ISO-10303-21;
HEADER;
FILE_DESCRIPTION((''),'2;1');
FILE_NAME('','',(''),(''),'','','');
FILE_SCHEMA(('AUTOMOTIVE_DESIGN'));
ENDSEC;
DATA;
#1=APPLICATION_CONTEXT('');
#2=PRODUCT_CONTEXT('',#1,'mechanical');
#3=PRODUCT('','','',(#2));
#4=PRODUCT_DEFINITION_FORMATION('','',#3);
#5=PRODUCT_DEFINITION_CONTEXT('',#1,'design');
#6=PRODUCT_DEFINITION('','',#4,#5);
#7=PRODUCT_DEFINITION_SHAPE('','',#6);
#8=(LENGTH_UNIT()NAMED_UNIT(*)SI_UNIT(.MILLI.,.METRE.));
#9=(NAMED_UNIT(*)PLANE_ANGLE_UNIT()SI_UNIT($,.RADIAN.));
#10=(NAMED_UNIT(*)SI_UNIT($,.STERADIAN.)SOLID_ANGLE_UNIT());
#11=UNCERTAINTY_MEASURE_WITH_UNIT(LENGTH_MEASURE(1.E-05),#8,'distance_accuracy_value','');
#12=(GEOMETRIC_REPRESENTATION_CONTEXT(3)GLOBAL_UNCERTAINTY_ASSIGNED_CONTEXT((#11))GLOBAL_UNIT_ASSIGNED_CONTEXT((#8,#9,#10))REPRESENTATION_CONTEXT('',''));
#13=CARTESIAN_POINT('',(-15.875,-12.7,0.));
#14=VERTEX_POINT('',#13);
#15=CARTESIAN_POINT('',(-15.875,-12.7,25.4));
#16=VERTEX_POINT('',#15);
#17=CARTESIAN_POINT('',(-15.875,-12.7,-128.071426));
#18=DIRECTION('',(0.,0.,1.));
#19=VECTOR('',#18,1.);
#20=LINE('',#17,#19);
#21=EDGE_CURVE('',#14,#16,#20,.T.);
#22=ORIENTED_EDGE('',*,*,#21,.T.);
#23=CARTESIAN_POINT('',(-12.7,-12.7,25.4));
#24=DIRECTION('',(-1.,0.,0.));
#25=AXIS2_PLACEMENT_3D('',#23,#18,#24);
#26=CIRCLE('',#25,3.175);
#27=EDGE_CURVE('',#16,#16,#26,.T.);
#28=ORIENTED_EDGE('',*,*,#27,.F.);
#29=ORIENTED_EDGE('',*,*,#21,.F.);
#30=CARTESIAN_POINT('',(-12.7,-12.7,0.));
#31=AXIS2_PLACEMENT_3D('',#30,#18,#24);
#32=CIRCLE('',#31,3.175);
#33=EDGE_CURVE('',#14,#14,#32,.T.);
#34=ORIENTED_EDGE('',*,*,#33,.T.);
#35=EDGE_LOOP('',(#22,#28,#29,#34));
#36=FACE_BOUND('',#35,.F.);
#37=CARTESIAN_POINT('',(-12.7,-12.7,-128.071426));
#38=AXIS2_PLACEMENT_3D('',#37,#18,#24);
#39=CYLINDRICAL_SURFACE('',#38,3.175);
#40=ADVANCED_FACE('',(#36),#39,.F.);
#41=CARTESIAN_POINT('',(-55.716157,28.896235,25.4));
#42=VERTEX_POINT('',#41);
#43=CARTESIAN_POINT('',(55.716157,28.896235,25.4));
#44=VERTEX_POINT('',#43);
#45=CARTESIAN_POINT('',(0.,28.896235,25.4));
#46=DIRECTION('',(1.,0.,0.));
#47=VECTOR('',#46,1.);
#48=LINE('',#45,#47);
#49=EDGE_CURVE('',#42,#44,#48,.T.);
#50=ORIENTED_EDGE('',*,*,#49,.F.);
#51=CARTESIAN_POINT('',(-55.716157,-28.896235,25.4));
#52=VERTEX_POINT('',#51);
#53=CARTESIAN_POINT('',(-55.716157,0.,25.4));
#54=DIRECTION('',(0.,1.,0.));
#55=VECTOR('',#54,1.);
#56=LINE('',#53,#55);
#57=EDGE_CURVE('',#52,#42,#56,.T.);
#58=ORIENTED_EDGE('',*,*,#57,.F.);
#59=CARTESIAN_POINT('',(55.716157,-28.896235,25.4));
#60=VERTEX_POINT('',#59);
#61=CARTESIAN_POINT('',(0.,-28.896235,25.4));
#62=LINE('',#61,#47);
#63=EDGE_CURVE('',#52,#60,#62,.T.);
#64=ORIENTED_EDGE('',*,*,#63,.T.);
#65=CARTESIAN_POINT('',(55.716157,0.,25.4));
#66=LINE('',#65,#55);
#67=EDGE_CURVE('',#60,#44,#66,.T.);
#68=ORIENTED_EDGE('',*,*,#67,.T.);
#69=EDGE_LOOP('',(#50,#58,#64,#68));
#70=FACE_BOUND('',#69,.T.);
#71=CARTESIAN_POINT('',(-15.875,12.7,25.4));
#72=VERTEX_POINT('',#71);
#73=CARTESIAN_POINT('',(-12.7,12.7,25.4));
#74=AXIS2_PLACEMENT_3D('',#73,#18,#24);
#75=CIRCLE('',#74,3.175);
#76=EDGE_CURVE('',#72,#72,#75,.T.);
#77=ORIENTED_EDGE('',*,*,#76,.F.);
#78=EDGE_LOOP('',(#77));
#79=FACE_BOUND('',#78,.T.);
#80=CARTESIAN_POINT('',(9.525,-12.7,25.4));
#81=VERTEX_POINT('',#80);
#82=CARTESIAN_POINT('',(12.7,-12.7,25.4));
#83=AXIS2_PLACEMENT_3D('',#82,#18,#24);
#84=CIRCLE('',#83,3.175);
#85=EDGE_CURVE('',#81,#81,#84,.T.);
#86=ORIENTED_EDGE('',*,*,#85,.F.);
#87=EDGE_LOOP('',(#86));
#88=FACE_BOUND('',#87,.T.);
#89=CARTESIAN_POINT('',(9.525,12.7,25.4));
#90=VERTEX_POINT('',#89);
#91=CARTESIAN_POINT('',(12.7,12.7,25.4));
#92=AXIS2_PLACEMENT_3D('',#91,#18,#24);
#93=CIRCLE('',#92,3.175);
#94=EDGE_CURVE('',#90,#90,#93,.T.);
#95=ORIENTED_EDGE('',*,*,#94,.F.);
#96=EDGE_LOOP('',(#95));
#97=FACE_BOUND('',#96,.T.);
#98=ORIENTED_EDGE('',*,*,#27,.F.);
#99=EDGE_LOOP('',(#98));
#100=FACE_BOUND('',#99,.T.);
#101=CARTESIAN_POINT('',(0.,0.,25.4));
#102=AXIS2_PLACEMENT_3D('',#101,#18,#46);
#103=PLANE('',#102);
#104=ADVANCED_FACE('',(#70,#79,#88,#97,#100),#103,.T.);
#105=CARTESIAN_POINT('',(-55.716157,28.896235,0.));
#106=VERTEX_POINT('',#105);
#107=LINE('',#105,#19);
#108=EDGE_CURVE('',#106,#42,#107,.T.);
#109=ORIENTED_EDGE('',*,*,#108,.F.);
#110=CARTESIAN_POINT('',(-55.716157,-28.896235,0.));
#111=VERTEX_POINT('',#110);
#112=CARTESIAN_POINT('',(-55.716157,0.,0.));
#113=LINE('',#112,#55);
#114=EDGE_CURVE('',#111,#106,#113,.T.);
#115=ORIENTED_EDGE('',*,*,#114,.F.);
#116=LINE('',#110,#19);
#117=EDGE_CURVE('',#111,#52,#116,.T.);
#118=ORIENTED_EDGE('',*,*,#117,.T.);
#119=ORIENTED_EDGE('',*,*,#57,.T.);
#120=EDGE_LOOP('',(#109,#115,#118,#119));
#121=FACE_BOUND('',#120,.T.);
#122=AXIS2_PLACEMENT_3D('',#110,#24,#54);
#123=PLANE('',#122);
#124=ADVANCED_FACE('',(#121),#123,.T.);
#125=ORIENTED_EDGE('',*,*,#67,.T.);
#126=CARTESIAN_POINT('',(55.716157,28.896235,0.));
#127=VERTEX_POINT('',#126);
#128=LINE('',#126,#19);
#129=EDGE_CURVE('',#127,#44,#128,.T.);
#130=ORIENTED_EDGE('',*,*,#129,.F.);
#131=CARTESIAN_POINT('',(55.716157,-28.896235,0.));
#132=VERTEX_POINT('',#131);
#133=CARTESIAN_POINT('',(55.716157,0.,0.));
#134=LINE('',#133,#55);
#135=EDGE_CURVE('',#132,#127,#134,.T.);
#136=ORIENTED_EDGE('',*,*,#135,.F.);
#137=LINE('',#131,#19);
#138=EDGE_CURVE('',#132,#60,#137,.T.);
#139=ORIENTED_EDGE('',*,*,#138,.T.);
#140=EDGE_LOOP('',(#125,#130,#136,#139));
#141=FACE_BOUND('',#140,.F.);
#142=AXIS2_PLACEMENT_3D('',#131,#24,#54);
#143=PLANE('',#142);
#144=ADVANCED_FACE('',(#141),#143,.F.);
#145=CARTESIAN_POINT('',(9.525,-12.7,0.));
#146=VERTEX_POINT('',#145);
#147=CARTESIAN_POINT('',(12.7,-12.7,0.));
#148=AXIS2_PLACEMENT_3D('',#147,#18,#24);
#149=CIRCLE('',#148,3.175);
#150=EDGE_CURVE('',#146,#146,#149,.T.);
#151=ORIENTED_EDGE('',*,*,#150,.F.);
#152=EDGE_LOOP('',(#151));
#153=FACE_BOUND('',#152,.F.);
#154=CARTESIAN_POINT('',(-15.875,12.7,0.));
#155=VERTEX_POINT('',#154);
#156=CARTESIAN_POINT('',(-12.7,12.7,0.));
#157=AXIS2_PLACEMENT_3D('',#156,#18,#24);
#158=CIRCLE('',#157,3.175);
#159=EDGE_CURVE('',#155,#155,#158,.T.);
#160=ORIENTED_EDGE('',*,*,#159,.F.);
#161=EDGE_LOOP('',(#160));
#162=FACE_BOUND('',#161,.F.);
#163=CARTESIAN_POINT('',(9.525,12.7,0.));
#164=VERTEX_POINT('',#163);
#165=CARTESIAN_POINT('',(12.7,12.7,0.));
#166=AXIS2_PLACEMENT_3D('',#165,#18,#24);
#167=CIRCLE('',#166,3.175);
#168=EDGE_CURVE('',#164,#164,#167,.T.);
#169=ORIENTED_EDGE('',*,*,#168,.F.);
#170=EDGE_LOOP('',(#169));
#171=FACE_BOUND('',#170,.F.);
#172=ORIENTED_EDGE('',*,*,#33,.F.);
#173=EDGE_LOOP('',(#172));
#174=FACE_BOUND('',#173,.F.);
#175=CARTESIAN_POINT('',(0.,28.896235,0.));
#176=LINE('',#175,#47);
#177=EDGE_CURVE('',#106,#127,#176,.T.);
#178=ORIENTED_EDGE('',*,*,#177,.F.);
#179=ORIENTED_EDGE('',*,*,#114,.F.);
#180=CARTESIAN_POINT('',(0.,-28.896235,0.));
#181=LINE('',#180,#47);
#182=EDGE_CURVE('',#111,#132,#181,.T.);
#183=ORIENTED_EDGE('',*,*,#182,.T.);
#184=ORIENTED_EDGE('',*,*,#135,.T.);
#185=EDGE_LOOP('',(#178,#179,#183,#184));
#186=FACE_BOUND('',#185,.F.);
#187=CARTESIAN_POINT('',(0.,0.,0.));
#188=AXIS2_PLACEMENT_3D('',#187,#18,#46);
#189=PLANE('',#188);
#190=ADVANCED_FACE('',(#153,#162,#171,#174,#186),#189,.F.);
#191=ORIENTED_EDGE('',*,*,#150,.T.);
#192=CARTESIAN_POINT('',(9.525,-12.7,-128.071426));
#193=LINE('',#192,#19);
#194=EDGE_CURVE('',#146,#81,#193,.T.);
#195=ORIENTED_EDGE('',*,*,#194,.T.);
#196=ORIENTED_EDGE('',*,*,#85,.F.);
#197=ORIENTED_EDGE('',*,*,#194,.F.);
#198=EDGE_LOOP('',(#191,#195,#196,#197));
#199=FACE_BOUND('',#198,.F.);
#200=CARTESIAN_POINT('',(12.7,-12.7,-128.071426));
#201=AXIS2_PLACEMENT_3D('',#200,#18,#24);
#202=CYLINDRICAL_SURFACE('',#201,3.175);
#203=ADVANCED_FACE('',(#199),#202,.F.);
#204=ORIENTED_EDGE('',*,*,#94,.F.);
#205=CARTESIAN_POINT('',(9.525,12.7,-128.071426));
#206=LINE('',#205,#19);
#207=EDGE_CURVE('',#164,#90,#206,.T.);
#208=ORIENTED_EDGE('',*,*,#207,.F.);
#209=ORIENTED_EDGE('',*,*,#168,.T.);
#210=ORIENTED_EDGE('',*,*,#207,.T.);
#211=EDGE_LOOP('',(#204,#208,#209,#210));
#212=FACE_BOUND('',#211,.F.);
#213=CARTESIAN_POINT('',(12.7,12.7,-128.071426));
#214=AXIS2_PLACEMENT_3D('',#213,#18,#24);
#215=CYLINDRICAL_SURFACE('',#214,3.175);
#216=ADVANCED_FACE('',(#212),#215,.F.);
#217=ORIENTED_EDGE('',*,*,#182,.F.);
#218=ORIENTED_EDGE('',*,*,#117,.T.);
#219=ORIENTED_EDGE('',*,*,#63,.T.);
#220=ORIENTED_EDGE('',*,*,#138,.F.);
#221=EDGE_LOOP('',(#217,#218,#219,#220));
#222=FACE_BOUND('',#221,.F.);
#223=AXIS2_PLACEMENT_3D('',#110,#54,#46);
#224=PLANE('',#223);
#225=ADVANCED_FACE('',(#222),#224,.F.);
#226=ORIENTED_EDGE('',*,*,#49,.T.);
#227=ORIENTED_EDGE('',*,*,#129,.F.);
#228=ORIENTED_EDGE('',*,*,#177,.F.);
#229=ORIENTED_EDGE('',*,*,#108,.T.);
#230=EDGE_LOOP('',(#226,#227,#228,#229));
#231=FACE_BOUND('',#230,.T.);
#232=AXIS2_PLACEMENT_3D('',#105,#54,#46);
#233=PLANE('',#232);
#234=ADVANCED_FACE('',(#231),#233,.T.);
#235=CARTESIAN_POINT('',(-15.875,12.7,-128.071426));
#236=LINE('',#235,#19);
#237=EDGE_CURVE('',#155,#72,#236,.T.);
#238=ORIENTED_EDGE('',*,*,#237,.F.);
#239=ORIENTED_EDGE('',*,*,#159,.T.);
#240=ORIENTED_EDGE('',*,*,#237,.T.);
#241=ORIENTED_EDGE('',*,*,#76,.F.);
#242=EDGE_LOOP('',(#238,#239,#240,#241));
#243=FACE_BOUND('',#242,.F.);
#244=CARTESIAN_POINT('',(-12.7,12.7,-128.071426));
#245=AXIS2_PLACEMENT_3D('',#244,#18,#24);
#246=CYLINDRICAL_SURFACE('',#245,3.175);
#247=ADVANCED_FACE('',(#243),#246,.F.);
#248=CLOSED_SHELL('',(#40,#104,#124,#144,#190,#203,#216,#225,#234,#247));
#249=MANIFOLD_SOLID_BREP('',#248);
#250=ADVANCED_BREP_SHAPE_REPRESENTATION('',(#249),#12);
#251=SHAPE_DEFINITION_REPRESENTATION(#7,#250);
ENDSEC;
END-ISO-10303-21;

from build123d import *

# Parameters (mm, degrees)
F1_W     = 111.432314
F1_H     = 57.79247
F2_DEPTH = 25.4
F4_D     = 6.35


with BuildPart() as f2:
    # F1 (on face) → F2 (new body)
    with BuildSketch(Plane.XY):
        Rectangle(F1_W, F1_H)
    extrude(amount=F2_DEPTH)

    # F4 (through all)
    with Locations(Plane(origin=(0, 0, 0), x_dir=(1, 0, 0), z_dir=(0, 0, -1))):
        with Locations((12.7, -12.7), (-12.7, -12.7), (-12.7, 12.7), (12.7, 12.7)):
            Hole(F4_D / 2)


solid = f2.part
